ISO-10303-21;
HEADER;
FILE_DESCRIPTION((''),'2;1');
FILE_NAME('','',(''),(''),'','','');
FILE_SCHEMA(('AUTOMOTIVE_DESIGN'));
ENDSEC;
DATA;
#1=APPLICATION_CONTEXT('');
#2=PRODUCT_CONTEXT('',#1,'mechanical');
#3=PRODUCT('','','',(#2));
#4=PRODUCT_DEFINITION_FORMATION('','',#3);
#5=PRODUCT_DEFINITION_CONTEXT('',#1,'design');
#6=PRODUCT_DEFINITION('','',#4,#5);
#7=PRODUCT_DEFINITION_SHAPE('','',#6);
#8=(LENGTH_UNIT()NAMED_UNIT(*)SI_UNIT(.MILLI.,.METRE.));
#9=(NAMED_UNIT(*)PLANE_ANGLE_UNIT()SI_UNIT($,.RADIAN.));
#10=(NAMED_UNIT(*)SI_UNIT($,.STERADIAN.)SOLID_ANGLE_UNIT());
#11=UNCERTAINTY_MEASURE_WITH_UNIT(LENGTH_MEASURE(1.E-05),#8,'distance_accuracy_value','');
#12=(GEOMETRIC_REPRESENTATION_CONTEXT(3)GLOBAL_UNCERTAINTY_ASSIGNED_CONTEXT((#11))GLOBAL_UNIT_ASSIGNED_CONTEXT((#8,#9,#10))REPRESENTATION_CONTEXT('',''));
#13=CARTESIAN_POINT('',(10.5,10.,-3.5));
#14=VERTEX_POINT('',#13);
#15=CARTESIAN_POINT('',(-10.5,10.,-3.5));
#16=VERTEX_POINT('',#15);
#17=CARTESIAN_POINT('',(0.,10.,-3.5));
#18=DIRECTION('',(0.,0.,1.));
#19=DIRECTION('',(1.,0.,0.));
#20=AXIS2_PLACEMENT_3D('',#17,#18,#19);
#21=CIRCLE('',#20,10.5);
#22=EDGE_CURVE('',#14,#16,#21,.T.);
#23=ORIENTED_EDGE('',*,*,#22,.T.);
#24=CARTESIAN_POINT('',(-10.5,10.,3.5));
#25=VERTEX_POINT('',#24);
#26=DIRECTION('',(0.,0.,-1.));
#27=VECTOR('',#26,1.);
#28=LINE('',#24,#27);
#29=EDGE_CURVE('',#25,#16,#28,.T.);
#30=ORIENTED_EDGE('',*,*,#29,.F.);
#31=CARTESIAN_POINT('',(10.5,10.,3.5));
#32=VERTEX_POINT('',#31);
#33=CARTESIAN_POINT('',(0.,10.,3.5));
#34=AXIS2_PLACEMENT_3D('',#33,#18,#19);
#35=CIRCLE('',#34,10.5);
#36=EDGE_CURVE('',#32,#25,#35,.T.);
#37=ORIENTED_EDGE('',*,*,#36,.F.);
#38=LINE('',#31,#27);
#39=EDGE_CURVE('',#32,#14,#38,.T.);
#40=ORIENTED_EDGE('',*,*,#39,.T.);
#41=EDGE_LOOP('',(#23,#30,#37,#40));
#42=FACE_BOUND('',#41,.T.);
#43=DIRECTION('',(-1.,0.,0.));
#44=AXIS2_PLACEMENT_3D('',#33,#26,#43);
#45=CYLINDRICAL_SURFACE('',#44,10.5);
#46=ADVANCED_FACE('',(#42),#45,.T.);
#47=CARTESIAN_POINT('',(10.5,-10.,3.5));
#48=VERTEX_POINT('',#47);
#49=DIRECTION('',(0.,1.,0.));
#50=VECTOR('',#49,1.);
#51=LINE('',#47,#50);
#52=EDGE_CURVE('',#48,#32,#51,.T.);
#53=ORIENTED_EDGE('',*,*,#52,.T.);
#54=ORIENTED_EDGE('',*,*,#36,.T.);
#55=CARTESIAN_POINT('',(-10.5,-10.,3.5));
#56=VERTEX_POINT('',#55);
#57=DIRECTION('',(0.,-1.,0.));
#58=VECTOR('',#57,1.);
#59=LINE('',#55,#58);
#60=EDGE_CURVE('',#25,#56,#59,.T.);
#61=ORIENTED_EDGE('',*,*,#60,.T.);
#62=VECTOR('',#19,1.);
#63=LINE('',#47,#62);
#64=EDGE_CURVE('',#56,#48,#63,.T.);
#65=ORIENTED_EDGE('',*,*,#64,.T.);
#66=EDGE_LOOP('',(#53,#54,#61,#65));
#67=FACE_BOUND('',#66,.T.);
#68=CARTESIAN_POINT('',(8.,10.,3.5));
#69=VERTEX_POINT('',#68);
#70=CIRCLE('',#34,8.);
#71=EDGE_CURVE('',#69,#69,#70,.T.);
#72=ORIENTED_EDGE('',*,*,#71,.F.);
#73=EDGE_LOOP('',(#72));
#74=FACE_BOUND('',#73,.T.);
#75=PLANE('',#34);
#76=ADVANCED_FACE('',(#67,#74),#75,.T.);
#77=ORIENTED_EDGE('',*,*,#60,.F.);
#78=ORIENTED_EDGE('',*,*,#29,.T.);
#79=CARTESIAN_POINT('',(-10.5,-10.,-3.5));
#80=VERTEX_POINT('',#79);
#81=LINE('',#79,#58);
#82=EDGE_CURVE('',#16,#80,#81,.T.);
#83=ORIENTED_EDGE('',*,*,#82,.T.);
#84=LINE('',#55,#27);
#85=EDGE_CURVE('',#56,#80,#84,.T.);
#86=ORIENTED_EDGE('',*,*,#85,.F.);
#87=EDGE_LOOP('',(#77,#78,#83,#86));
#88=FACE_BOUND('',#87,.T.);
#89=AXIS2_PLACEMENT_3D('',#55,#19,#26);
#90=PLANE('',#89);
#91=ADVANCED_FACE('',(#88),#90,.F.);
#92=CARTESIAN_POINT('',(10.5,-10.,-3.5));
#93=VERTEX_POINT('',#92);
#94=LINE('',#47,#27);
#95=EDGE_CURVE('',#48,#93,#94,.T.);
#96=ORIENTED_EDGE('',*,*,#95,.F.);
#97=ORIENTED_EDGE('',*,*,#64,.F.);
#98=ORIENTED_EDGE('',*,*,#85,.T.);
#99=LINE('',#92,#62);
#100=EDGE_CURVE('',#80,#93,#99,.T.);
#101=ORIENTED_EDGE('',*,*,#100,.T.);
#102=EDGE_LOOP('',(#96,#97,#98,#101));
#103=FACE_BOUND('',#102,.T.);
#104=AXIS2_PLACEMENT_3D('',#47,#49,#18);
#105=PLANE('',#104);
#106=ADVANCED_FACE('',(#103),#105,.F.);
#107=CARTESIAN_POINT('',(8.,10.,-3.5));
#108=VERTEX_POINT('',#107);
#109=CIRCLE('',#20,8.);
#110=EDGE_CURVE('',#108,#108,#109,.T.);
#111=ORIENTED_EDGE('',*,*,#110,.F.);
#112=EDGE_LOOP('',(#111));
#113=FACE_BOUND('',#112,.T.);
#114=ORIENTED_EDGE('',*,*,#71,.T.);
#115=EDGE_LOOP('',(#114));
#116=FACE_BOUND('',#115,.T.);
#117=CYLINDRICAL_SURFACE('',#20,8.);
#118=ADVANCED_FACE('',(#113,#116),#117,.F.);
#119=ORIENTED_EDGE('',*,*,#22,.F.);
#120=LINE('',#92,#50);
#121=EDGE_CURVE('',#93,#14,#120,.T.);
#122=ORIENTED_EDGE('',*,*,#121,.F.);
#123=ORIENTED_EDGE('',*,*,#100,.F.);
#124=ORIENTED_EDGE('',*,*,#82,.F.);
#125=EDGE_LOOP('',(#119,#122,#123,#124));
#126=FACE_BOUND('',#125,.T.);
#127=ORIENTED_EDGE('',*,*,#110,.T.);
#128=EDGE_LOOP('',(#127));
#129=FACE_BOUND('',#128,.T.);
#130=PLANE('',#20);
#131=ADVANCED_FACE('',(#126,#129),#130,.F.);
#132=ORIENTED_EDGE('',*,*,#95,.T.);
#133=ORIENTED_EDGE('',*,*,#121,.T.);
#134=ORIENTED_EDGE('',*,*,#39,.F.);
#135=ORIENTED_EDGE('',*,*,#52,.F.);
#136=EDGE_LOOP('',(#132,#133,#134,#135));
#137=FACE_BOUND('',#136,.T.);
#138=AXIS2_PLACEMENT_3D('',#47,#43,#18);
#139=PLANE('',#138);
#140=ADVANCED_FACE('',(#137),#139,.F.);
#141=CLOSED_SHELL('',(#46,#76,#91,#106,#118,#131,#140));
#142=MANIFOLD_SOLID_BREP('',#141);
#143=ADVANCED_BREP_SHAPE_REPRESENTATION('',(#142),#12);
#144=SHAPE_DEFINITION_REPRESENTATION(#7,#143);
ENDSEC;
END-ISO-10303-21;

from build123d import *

# Parameters (mm, degrees)
SALIENTE_EXTRUIR1_DEPTH = 3.5
CROQUIS2_R              = 8
CORTAR_EXTRUIR1_DEPTH   = 25.072806234


with BuildPart() as part:
    # Croquis1 → Saliente-Extruir1 (new, symmetric)
    with BuildSketch(Plane.XY):
        with BuildLine():
            Line((10.5, -10), (-10.5, -10))
            Line((-10.5, -10), (-10.5, 10))
            ThreePointArc((-10.5, 10), (0, 20.5), (10.5, 10))
            Line((10.5, 10), (10.5, -10))
        make_face()
    extrude(amount=SALIENTE_EXTRUIR1_DEPTH, both=True)

    # Croquis2 → Cortar-Extruir1 (cut, through all)
    with BuildSketch(Plane.XY.offset(3.5)):
        with Locations((0, 10)):
            Circle(CROQUIS2_R)
    extrude(amount=-CORTAR_EXTRUIR1_DEPTH, mode=Mode.SUBTRACT)


solid = part.part
